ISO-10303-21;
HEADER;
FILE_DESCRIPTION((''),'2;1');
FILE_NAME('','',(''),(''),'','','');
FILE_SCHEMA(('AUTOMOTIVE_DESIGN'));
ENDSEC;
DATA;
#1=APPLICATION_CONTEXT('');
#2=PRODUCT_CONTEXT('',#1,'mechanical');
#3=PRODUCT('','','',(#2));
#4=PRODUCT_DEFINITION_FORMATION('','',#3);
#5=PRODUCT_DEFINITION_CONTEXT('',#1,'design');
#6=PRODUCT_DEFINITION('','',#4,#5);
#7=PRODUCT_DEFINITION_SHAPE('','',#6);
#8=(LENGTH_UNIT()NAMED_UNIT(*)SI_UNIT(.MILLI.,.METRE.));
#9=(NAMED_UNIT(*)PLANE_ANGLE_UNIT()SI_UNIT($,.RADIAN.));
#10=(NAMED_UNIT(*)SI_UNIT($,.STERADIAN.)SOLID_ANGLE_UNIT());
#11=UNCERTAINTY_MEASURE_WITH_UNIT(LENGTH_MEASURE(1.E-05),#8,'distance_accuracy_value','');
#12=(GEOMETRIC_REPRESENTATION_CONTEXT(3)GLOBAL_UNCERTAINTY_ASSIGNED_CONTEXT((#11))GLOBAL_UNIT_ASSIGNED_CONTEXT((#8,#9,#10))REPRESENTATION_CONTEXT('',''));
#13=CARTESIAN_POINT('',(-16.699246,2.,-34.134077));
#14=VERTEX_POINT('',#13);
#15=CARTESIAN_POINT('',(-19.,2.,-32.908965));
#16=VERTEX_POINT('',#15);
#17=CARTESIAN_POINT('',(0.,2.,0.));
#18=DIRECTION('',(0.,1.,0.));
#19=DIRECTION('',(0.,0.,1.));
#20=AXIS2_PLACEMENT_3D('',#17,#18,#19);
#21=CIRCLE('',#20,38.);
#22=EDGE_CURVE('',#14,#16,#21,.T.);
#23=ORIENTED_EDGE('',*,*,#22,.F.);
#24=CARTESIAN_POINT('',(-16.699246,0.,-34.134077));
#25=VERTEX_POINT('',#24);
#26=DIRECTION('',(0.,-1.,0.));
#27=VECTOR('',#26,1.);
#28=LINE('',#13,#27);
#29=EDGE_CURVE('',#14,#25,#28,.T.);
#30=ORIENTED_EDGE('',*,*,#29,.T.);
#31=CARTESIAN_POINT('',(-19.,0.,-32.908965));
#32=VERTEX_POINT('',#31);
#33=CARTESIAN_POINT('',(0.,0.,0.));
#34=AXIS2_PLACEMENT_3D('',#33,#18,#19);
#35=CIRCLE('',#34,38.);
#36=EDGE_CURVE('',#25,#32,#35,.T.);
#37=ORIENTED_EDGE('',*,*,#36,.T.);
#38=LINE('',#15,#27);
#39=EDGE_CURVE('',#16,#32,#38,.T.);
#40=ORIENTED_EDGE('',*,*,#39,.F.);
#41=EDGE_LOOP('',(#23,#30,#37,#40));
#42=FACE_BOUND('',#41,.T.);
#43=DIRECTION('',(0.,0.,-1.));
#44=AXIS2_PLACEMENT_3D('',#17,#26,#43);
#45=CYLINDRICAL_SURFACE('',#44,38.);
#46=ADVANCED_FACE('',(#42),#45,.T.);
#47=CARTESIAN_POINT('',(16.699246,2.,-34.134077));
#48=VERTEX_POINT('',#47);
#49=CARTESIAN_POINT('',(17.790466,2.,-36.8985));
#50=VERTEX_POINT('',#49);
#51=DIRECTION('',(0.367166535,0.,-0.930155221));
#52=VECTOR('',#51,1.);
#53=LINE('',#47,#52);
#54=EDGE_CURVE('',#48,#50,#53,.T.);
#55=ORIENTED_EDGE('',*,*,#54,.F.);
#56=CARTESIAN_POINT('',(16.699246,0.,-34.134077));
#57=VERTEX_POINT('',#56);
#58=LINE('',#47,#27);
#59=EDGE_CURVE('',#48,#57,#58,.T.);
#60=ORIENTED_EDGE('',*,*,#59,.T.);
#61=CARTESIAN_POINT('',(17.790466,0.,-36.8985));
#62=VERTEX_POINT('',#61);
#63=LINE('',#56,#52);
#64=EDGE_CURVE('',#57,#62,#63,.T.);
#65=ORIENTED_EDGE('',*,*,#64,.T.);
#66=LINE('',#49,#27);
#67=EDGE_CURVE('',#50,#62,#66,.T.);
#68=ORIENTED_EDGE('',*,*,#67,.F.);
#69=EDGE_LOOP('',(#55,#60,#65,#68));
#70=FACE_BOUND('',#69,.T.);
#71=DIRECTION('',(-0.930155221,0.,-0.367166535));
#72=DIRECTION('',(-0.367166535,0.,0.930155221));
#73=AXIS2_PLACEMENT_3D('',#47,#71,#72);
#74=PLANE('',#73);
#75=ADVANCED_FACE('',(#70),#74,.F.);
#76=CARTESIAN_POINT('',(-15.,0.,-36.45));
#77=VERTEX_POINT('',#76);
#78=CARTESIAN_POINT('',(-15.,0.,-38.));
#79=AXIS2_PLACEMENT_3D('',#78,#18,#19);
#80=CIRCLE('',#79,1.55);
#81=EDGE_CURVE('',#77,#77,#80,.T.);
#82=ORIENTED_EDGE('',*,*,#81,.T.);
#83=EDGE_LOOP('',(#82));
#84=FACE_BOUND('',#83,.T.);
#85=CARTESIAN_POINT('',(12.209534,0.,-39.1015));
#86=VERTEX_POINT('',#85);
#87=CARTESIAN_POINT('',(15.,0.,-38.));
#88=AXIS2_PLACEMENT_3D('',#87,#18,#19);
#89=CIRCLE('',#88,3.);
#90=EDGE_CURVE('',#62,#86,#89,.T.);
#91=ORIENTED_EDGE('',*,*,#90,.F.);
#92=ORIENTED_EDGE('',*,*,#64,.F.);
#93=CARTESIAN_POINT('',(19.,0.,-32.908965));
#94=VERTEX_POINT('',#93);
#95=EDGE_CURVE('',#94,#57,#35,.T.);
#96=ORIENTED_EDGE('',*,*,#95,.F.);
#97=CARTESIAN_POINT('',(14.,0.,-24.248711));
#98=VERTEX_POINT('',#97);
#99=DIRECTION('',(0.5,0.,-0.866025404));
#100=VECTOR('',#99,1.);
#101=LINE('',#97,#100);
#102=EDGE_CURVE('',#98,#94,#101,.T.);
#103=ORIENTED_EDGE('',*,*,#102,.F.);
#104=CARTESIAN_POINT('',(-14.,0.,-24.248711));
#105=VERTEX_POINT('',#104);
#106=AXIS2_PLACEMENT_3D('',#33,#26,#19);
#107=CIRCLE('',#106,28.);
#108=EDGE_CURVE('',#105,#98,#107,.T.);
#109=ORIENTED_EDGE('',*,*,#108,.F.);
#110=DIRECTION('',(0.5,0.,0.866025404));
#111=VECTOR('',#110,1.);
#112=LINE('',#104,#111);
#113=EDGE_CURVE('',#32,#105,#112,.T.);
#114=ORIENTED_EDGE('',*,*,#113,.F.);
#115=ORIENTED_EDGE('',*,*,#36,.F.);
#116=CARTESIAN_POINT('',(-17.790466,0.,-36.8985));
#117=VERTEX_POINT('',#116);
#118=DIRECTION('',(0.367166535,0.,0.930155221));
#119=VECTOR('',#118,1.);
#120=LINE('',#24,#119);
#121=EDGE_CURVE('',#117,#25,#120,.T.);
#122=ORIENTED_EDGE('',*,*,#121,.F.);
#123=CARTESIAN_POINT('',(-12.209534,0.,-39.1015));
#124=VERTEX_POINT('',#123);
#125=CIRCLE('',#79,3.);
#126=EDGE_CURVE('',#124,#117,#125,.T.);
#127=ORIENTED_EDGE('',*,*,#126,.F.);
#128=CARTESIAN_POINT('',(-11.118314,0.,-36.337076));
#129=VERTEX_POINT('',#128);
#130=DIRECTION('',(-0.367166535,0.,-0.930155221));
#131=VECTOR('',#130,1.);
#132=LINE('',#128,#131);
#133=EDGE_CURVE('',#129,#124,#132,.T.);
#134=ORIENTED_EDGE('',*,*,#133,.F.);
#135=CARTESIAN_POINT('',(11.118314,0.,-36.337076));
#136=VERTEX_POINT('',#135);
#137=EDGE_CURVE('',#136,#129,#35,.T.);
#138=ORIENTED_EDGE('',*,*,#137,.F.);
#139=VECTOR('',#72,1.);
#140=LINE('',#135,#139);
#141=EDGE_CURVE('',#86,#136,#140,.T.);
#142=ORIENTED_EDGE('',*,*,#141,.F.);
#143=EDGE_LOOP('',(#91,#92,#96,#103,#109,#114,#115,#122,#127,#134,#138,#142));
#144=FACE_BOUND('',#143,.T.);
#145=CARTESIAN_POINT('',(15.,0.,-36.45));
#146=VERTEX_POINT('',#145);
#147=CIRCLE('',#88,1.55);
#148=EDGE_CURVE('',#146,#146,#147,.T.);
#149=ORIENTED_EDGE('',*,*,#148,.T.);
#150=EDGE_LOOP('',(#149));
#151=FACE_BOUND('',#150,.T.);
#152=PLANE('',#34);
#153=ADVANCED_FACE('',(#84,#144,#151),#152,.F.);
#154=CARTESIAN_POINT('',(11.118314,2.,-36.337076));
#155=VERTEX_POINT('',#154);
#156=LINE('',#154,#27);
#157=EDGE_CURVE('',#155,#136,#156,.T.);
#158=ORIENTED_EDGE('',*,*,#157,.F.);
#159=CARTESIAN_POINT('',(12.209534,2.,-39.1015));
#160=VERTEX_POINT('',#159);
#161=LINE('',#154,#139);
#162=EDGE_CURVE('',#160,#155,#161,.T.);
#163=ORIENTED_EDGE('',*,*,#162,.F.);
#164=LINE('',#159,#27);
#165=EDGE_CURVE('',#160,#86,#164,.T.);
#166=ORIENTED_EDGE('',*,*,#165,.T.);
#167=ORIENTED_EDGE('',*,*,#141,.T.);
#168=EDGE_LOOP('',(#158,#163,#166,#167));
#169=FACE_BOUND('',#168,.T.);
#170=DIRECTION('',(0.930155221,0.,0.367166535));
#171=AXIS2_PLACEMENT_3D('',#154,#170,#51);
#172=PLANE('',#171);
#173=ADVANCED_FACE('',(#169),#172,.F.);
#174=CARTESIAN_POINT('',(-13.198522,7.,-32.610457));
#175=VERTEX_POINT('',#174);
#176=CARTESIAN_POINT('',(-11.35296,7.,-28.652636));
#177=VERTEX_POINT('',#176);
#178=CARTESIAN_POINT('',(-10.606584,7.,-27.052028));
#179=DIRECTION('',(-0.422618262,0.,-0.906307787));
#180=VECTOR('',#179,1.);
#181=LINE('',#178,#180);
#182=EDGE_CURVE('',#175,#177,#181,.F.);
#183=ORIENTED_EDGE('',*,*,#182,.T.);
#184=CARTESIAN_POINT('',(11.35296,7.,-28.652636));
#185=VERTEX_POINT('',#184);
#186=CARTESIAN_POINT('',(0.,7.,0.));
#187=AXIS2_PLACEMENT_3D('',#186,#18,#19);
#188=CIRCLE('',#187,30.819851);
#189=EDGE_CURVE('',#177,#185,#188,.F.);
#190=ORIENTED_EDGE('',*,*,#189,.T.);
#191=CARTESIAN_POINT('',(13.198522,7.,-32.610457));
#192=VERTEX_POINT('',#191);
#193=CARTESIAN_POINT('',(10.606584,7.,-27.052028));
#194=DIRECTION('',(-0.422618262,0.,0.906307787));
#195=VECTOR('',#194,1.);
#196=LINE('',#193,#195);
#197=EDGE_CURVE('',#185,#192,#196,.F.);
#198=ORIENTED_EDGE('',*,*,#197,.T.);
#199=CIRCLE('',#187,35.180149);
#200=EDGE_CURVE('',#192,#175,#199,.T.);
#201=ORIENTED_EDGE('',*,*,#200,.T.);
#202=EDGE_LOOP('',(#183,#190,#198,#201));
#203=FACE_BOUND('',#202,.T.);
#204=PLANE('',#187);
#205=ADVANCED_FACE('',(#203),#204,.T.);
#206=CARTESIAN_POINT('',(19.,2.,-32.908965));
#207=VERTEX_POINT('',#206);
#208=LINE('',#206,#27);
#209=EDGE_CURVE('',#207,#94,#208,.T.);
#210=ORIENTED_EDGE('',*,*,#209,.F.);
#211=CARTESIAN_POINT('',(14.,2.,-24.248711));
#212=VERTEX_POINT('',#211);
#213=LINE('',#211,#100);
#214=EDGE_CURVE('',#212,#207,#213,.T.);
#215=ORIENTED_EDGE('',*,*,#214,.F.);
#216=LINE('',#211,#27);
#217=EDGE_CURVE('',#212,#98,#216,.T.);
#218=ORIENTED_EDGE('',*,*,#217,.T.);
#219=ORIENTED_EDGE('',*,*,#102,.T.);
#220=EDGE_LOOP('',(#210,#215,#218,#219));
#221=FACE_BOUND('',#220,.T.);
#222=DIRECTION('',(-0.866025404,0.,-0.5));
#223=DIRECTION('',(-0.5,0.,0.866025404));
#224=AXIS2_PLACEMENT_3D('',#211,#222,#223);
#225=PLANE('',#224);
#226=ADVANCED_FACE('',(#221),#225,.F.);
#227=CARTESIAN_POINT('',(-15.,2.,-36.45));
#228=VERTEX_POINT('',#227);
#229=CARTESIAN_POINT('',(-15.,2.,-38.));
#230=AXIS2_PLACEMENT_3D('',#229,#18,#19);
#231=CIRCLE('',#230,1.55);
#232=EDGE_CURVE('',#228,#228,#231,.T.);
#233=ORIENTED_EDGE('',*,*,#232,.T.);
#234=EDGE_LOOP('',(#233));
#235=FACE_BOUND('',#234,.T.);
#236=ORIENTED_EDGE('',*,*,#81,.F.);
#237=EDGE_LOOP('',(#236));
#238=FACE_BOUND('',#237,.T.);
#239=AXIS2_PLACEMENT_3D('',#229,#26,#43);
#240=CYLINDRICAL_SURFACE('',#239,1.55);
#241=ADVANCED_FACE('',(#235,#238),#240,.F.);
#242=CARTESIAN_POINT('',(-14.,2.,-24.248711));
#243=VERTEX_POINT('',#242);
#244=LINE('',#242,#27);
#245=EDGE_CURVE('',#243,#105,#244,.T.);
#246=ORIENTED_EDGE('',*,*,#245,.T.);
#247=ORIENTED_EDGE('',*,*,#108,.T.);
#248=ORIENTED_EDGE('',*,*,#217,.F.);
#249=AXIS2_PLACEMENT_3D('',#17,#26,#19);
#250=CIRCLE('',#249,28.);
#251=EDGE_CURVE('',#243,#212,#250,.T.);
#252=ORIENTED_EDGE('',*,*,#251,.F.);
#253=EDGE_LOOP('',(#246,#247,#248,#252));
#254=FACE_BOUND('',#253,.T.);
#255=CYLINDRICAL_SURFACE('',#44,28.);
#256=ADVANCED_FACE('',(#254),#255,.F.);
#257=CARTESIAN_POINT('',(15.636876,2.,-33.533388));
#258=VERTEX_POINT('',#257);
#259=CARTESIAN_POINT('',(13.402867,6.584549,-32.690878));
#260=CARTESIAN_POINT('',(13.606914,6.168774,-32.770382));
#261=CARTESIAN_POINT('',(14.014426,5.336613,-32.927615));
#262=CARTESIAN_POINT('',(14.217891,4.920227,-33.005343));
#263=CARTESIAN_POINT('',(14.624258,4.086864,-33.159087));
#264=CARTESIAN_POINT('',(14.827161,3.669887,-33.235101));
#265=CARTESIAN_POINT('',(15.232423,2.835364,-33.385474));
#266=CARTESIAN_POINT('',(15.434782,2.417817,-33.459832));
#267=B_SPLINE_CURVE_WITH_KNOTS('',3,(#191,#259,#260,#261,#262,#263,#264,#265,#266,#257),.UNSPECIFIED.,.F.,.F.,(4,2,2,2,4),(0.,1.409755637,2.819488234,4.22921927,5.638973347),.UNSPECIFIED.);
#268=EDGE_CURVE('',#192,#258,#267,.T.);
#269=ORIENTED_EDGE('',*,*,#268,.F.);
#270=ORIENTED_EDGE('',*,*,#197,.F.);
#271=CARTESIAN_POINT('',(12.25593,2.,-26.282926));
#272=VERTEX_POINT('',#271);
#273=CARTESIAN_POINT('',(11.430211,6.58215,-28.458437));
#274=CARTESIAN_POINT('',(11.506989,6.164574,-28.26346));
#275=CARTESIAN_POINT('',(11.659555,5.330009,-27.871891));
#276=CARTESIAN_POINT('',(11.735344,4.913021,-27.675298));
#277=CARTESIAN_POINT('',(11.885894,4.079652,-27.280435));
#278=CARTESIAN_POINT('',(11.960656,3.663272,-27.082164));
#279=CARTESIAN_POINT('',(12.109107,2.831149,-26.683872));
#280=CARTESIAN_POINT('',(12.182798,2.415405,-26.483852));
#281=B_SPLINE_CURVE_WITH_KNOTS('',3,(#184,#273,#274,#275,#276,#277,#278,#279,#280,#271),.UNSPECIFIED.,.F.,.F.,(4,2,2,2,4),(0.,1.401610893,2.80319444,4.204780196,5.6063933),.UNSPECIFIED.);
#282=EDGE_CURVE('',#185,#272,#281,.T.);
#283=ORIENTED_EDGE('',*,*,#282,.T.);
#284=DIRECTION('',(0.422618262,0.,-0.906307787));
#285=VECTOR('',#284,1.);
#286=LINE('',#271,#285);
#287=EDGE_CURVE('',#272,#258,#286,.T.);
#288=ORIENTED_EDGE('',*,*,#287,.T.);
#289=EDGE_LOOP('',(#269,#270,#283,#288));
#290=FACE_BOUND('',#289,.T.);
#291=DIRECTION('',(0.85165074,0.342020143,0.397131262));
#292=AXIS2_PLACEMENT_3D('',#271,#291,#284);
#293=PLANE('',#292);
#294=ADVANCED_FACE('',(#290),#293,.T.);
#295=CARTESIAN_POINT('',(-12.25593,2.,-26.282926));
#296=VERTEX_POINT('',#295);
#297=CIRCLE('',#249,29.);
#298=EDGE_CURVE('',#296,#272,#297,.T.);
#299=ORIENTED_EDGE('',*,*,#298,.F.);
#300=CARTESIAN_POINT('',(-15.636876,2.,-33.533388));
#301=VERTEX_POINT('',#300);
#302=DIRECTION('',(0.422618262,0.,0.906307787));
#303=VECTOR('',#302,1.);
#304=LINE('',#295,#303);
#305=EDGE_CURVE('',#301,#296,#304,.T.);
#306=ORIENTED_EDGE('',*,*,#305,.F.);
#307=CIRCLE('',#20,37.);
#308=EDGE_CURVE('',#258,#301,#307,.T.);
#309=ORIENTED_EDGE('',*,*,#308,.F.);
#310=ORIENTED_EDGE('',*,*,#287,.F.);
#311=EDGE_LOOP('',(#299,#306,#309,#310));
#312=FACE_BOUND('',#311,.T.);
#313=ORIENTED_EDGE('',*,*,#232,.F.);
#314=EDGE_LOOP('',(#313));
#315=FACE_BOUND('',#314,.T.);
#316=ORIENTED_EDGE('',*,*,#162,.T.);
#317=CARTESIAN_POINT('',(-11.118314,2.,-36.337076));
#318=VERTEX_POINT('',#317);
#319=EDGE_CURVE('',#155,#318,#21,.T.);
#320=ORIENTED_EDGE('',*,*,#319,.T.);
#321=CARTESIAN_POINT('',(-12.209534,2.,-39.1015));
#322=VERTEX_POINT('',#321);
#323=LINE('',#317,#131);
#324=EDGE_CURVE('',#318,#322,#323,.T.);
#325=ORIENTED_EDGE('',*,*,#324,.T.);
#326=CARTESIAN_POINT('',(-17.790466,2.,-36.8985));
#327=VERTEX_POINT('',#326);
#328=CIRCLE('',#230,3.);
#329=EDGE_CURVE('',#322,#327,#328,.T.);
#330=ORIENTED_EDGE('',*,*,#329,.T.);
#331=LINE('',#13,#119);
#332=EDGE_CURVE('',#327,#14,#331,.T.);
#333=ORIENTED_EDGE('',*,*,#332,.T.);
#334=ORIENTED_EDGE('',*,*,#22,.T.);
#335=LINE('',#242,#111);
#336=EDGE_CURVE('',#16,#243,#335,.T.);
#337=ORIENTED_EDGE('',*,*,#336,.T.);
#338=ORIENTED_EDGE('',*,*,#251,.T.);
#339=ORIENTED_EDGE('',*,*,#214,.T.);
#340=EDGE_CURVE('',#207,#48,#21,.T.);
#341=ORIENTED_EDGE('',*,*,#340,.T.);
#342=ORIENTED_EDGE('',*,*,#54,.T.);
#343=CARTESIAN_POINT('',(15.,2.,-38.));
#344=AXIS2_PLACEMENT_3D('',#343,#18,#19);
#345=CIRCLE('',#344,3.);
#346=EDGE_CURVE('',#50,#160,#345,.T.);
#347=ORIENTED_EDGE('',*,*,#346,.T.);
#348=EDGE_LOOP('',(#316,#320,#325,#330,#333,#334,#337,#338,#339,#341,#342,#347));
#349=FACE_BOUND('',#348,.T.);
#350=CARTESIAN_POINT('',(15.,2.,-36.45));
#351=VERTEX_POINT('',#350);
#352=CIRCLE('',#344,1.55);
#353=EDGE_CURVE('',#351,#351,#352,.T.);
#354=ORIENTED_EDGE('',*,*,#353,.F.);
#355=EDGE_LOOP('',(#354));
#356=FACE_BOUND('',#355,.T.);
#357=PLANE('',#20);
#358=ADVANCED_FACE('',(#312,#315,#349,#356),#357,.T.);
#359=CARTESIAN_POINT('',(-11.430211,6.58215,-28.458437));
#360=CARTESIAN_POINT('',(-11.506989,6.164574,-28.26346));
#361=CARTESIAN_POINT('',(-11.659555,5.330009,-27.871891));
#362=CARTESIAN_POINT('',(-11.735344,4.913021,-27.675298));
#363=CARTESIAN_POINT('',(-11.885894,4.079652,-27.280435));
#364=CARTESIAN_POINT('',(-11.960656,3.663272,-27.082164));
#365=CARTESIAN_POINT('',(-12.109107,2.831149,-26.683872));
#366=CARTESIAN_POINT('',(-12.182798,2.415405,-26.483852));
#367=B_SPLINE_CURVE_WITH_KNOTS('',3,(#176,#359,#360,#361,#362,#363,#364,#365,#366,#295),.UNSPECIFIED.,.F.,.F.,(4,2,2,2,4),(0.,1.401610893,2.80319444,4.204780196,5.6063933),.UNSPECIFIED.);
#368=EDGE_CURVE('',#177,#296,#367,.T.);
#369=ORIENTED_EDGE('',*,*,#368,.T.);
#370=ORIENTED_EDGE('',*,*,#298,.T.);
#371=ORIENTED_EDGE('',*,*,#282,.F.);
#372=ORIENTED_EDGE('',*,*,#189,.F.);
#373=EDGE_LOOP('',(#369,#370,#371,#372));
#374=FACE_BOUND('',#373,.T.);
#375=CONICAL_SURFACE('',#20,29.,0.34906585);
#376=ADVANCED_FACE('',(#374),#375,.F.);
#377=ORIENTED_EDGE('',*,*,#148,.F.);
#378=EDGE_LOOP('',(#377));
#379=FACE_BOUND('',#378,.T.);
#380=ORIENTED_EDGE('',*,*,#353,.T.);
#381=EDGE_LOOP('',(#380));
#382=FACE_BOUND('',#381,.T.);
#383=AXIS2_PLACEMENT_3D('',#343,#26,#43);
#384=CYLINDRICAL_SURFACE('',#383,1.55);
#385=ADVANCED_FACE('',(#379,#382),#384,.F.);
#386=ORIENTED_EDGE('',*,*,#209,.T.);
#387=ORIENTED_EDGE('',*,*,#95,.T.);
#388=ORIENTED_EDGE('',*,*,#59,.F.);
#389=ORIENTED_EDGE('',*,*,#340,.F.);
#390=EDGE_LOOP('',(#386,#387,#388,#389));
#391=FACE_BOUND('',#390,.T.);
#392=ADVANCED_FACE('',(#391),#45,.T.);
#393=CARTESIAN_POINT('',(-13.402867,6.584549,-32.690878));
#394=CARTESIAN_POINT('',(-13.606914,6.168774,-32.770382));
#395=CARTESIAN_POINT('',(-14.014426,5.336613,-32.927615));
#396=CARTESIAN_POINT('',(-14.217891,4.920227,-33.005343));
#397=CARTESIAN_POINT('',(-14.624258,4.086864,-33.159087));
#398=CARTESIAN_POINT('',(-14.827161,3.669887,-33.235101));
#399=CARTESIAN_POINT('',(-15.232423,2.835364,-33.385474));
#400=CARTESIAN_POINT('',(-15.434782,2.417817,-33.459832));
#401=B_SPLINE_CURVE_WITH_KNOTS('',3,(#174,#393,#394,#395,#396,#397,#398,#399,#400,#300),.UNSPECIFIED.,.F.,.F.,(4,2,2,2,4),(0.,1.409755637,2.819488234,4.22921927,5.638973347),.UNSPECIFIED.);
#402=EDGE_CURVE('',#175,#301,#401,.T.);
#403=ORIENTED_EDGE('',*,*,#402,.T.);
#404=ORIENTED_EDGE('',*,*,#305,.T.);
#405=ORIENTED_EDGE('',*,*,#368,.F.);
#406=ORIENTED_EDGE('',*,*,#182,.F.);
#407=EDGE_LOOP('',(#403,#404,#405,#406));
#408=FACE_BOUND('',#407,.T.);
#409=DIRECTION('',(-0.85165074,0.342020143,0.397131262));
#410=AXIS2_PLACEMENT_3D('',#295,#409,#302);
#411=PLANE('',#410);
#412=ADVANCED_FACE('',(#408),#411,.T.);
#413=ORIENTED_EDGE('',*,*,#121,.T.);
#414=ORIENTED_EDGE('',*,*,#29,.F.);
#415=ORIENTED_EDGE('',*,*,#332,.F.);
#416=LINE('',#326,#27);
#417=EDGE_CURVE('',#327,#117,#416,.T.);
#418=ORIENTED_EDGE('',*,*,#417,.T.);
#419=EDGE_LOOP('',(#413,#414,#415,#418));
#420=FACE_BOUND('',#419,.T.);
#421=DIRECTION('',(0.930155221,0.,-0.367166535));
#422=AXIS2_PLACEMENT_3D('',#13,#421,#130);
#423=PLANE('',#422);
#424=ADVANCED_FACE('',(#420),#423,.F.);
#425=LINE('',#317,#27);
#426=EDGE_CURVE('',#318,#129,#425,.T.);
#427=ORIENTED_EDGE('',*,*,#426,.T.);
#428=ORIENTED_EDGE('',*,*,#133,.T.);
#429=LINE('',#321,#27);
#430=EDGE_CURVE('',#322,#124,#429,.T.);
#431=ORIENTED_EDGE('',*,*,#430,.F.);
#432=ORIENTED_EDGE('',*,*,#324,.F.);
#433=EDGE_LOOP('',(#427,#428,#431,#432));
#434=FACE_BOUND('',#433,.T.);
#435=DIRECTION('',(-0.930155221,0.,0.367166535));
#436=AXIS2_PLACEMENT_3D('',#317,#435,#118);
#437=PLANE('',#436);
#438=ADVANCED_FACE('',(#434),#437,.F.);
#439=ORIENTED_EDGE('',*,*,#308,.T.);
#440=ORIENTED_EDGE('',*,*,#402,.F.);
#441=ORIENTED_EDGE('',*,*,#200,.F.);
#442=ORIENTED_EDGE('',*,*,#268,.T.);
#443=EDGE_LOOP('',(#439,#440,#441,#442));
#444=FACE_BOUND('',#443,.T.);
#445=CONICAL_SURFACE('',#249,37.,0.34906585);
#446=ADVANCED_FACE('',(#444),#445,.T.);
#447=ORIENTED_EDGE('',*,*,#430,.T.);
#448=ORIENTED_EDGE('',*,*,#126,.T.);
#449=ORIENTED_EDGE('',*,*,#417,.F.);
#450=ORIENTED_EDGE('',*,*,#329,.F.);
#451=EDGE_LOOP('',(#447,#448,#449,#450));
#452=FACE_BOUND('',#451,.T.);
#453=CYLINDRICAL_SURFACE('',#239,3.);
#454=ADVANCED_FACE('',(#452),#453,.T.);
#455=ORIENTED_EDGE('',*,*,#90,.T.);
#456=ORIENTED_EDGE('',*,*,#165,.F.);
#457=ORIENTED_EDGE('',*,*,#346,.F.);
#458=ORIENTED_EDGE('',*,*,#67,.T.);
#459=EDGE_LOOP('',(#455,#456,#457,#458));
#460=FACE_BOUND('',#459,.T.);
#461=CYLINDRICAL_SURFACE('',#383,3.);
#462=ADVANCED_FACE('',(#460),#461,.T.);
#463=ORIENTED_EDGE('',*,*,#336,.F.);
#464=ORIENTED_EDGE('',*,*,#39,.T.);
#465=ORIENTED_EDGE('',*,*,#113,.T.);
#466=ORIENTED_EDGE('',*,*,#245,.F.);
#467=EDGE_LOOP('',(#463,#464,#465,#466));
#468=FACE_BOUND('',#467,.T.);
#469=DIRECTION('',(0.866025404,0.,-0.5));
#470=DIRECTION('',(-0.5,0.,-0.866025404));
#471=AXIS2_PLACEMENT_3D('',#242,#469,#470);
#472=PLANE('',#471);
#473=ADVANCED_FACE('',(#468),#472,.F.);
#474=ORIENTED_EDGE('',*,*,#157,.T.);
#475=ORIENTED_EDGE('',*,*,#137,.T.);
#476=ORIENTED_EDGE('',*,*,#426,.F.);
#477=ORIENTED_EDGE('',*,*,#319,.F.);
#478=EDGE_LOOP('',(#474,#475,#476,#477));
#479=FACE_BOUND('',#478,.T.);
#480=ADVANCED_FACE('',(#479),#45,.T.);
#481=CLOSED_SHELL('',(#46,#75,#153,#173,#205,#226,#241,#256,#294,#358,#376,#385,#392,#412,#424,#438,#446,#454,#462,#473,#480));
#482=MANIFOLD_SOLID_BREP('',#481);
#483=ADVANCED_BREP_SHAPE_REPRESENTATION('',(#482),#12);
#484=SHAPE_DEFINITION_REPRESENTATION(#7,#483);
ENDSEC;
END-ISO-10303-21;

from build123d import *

# Parameters (mm, degrees)
SKETCH1_R           = 1.55
BOSS_EXTRUDE1_DEPTH = 2
BOSS_EXTRUDE2_DEPTH = 5
BOSS_EXTRUDE2_DRAFT = 20


with BuildPart() as part:
    # Sketch1 → Boss-Extrude1 (new body)
    with BuildSketch(Plane(origin=(0, 0, 0), x_dir=(1, 0, 0), z_dir=(0, 1, 0))):
        with BuildLine():
            Line((14, 24.248711306), (19, 32.908965344))
            ThreePointArc((19, 32.908965344), (17.860130505, 33.541254275), (16.699245775, 34.134076676))
            Line((16.699245775, 34.134076676), (17.790465664, 36.898500396))
            ThreePointArc((17.790465664, 36.898500396), (16.101499604, 40.790465664), (12.209534336, 39.101499604))
            Line((12.209534336, 39.101499604), (11.118314447, 36.337075885))
            ThreePointArc((11.118314447, 36.337075885), (0, 38), (-11.118314447, 36.337075885))
            Line((-11.118314447, 36.337075885), (-12.209534336, 39.101499604))
            ThreePointArc((-12.209534336, 39.101499604), (-16.101499604, 40.790465664), (-17.790465664, 36.898500396))
            Line((-17.790465664, 36.898500396), (-16.699245775, 34.134076676))
            ThreePointArc((-16.699245775, 34.134076676), (-17.860130505, 33.541254275), (-19, 32.908965344))
            Line((-19, 32.908965344), (-14, 24.248711306))
            ThreePointArc((-14, 24.248711306), (0, 28), (14, 24.248711306))
        make_face()
        with Locations(Location((-15, 38, 0), (0, 0, 270))):
            Circle(SKETCH1_R, mode=Mode.SUBTRACT)
        with Locations(Location((15, 38, 0), (0, 0, 270))):
            Circle(SKETCH1_R, mode=Mode.SUBTRACT)
    extrude(amount=BOSS_EXTRUDE1_DEPTH)


with BuildPart() as boss_extrude2_tool:
    # Sketch2 → Boss-Extrude2 (with draft: the straight prism first)
    with BuildSketch(Plane(origin=(0, 2, 0), x_dir=(1, 0, 0), z_dir=(0, 1, 0))):
        with BuildLine():
            ThreePointArc((-12.25592959, 26.282925824), (0, 29), (12.25592959, 26.282925824))
            Line((12.25592959, 26.282925824), (15.636875684, 33.53338812))
            ThreePointArc((15.636875684, 33.53338812), (0, 37), (-15.636875684, 33.53338812))
            Line((-15.636875684, 33.53338812), (-12.25592959, 26.282925824))
        make_face()
    extrude(amount=BOSS_EXTRUDE2_DEPTH)
    # Boss-Extrude2: the draft: its side faces are tilted about the plane it starts from
    boss_extrude2_sides = [boss_extrude2_tool.faces().sort_by_distance(p)[0] for p in [
        (0, 4.5, -29),
        (13.946402637, 4.5, -29.908156972),
        (0, 4.5, -37),
        (-13.946402637, 4.5, -29.908156972),
    ]]
    draft(boss_extrude2_sides, Plane(origin=(0, 2, 0), x_dir=(1, 0, 0), z_dir=(0, 1, 0)), BOSS_EXTRUDE2_DRAFT)


with BuildPart() as part_1:
    add(part.part)

    # Boss-Extrude2: add boss_extrude2_tool
    add(boss_extrude2_tool.part)


solid = part_1.part
